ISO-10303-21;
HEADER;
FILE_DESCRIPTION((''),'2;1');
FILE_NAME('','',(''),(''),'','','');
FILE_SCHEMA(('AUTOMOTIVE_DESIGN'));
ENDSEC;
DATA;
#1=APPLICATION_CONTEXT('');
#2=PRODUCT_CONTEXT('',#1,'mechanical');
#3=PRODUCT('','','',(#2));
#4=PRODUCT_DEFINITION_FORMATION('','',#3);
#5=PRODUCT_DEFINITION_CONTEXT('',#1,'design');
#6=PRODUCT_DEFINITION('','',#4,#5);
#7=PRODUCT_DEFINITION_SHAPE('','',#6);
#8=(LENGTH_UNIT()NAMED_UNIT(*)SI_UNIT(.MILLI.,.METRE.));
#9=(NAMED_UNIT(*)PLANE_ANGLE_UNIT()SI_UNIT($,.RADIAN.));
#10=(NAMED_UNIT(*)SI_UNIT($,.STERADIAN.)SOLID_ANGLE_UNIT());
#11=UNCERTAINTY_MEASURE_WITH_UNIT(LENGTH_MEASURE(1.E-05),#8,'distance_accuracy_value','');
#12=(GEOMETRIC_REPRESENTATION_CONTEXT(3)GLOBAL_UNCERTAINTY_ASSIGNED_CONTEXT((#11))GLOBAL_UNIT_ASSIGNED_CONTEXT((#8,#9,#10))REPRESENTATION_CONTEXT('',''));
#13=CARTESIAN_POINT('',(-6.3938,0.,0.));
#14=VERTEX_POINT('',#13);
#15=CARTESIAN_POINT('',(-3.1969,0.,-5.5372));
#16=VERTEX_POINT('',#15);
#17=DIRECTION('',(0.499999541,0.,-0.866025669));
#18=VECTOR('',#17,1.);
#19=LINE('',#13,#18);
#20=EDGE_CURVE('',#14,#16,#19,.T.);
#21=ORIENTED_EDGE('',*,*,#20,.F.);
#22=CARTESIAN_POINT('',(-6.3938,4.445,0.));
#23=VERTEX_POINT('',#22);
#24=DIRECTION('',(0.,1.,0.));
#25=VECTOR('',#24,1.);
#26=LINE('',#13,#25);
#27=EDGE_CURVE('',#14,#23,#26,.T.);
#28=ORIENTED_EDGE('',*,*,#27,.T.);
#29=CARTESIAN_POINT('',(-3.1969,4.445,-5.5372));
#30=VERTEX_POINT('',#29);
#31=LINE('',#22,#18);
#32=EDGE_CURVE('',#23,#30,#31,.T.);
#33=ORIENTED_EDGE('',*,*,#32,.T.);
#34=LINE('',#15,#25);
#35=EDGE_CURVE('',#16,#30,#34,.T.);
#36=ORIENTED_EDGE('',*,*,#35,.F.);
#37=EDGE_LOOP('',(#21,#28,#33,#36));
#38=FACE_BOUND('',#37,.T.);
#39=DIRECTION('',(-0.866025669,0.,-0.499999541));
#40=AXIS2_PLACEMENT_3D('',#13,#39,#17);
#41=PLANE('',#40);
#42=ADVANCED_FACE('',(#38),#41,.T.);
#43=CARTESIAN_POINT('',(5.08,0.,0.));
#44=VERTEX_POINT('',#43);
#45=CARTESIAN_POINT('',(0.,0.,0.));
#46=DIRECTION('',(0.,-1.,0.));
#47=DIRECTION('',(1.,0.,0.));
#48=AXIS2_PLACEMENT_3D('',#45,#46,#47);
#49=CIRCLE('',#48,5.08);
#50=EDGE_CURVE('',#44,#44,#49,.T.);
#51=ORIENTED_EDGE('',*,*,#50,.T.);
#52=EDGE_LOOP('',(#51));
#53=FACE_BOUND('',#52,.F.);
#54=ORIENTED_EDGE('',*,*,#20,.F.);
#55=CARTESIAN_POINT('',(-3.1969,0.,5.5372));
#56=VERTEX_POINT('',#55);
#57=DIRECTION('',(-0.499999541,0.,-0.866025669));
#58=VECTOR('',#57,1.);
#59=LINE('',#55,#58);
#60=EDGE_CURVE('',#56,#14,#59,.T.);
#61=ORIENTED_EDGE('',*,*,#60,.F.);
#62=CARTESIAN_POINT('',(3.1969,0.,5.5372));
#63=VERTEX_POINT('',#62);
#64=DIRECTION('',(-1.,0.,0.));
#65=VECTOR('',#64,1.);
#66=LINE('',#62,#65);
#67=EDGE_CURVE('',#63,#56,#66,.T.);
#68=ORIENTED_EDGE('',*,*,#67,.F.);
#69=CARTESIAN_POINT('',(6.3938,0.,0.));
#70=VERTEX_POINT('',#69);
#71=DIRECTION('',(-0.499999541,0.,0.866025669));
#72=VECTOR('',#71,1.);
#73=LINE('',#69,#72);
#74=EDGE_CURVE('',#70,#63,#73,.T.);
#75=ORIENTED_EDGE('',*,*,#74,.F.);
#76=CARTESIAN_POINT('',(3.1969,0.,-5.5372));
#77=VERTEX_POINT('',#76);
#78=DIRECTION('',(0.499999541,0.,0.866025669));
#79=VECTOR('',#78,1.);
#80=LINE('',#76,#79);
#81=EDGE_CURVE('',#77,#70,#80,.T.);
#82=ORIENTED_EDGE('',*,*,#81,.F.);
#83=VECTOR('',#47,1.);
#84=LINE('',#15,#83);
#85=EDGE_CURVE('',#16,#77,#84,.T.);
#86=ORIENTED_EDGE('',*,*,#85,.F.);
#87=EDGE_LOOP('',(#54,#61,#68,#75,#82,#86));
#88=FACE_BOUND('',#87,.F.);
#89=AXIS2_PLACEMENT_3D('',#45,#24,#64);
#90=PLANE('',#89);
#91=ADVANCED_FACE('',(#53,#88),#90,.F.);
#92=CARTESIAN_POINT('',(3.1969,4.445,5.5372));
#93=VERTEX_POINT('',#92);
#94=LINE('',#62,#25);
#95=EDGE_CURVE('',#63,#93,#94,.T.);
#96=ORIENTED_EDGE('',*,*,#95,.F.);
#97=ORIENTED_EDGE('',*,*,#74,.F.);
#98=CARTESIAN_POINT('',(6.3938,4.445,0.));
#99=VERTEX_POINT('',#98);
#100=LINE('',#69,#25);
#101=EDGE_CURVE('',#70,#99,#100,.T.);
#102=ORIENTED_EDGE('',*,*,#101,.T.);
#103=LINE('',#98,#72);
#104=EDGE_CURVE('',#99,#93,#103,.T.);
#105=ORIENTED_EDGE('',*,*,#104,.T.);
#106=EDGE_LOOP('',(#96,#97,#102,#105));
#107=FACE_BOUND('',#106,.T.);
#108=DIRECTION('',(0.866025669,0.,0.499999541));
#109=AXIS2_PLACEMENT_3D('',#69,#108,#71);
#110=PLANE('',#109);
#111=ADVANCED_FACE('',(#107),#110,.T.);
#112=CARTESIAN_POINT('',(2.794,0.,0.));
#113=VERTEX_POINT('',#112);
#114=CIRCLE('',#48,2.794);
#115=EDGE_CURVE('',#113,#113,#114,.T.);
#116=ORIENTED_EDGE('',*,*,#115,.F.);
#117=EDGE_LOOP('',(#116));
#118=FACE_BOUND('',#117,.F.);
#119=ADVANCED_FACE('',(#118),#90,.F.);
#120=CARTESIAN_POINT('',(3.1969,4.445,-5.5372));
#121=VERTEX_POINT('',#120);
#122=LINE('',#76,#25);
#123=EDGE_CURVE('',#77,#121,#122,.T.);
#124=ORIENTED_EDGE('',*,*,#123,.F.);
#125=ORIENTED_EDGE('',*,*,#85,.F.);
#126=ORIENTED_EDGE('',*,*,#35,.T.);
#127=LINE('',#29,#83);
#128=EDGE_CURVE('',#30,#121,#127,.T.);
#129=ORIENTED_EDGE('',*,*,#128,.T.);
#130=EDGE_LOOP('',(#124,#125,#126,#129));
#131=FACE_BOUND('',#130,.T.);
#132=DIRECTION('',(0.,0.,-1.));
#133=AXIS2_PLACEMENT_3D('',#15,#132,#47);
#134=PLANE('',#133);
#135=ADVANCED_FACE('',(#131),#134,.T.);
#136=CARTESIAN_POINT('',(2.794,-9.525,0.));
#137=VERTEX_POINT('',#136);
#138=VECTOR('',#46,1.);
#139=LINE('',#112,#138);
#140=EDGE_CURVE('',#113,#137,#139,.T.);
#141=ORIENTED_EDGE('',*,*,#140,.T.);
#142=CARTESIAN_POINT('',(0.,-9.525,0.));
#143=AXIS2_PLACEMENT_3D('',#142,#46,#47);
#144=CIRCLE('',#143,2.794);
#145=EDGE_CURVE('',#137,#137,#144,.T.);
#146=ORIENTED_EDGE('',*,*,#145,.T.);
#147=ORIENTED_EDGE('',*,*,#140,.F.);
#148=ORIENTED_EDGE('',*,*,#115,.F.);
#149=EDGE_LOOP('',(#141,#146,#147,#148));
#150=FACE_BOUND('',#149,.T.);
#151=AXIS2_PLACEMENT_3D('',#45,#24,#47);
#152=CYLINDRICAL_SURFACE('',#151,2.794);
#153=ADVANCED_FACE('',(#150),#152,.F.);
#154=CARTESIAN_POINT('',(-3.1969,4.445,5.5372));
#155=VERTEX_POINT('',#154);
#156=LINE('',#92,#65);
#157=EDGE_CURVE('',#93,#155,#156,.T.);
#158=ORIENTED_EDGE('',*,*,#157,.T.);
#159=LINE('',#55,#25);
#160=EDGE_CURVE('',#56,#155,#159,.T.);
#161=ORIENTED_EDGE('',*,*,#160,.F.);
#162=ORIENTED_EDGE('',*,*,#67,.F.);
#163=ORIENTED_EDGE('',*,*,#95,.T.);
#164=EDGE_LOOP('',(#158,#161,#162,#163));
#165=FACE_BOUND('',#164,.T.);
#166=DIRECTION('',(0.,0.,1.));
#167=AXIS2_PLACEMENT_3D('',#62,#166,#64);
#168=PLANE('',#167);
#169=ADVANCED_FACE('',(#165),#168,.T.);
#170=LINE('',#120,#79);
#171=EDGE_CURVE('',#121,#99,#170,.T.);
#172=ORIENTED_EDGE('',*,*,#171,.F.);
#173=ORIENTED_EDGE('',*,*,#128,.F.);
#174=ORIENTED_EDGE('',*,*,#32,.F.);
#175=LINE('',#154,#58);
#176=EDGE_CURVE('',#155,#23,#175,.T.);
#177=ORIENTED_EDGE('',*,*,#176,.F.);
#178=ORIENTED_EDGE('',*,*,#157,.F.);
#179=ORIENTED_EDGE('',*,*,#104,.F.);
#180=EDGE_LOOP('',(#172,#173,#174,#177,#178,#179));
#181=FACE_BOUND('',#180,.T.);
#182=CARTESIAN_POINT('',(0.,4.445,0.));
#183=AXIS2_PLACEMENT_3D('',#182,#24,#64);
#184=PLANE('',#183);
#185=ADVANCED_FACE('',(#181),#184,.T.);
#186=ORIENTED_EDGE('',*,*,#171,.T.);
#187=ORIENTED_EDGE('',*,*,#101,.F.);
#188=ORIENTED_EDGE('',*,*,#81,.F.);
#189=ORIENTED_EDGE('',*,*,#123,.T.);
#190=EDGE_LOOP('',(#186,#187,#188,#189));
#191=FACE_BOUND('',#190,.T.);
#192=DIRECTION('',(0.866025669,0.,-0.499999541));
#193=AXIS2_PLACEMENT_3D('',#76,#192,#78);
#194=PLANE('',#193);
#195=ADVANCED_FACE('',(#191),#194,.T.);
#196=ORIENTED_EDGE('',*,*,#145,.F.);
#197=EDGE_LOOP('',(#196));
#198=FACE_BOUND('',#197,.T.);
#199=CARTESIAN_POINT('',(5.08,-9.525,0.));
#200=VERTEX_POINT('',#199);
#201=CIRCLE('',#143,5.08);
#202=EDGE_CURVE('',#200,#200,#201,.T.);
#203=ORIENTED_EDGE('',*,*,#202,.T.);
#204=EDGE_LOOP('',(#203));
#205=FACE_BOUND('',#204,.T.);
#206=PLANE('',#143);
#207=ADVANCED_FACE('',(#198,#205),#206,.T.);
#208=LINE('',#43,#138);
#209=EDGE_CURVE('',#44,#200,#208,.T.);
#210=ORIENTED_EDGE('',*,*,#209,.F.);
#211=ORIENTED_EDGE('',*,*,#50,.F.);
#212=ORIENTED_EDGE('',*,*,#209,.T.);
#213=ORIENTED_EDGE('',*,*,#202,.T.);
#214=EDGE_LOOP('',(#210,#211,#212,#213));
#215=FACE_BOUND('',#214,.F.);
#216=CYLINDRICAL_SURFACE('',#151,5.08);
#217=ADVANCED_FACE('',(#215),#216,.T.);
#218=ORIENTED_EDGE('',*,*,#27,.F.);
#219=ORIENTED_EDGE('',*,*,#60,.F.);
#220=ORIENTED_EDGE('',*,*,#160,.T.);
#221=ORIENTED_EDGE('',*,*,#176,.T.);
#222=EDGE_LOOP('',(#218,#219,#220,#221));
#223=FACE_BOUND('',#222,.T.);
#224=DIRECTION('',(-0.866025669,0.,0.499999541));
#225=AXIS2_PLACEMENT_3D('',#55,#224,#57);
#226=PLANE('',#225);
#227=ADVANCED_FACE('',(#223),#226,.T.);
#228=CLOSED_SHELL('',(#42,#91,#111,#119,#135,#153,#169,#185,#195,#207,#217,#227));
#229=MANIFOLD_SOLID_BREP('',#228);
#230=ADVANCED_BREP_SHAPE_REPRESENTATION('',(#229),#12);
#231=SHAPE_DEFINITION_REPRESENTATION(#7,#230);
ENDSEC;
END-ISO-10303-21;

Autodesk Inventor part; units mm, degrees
ref_plane "YZ Plane" through (0, 0, 0) normal (1, 0, 0) x (0, 1, 0)
ref_plane "XZ Plane" through (0, 0, 0) normal (0, 1, 0) x (-1, 0, 0)
ref_plane "XY Plane" through (0, 0, 0) normal (0, 0, 1) x (1, 0, 0)
sketch "Sketch1" plane through (0, 0, 0) normal (0, 1, 0) x (-1, 0, 0)
  circle A0 centre (0, 0) radius 5.5372 construction
  line L0 (-3.1969, -5.5372) -> (-6.3938, 0)
  line L1 (-6.3938, 0) -> (-3.1969, 5.5372)
  line L2 (-3.1969, 5.5372) -> (3.1969, 5.5372)
  line L3 (3.1969, 5.5372) -> (6.3938, 0)
  line L4 (6.3938, 0) -> (3.1969, -5.5372)
  line L5 (3.1969, -5.5372) -> (-3.1969, -5.5372)
  point P0 (0, -5.5372)
  dimension "d0" = 11.0744
extrude "Extrusion1" add sketch "Sketch1" along normal blind 4.445
sketch "Sketch2" plane through (0, 0, 0) normal (0, -1, 0) x (1, 0, 0)
  circle A0 centre (0, 0) radius 5.08
  circle A1 centre (0, 0) radius 2.794
  dimension "d3" = 10.16
  dimension "d4" = 5.588
extrude "Extrusion2" add sketch "Sketch2" along normal blind 9.525
properties part number "am-2024" material "Brass"
